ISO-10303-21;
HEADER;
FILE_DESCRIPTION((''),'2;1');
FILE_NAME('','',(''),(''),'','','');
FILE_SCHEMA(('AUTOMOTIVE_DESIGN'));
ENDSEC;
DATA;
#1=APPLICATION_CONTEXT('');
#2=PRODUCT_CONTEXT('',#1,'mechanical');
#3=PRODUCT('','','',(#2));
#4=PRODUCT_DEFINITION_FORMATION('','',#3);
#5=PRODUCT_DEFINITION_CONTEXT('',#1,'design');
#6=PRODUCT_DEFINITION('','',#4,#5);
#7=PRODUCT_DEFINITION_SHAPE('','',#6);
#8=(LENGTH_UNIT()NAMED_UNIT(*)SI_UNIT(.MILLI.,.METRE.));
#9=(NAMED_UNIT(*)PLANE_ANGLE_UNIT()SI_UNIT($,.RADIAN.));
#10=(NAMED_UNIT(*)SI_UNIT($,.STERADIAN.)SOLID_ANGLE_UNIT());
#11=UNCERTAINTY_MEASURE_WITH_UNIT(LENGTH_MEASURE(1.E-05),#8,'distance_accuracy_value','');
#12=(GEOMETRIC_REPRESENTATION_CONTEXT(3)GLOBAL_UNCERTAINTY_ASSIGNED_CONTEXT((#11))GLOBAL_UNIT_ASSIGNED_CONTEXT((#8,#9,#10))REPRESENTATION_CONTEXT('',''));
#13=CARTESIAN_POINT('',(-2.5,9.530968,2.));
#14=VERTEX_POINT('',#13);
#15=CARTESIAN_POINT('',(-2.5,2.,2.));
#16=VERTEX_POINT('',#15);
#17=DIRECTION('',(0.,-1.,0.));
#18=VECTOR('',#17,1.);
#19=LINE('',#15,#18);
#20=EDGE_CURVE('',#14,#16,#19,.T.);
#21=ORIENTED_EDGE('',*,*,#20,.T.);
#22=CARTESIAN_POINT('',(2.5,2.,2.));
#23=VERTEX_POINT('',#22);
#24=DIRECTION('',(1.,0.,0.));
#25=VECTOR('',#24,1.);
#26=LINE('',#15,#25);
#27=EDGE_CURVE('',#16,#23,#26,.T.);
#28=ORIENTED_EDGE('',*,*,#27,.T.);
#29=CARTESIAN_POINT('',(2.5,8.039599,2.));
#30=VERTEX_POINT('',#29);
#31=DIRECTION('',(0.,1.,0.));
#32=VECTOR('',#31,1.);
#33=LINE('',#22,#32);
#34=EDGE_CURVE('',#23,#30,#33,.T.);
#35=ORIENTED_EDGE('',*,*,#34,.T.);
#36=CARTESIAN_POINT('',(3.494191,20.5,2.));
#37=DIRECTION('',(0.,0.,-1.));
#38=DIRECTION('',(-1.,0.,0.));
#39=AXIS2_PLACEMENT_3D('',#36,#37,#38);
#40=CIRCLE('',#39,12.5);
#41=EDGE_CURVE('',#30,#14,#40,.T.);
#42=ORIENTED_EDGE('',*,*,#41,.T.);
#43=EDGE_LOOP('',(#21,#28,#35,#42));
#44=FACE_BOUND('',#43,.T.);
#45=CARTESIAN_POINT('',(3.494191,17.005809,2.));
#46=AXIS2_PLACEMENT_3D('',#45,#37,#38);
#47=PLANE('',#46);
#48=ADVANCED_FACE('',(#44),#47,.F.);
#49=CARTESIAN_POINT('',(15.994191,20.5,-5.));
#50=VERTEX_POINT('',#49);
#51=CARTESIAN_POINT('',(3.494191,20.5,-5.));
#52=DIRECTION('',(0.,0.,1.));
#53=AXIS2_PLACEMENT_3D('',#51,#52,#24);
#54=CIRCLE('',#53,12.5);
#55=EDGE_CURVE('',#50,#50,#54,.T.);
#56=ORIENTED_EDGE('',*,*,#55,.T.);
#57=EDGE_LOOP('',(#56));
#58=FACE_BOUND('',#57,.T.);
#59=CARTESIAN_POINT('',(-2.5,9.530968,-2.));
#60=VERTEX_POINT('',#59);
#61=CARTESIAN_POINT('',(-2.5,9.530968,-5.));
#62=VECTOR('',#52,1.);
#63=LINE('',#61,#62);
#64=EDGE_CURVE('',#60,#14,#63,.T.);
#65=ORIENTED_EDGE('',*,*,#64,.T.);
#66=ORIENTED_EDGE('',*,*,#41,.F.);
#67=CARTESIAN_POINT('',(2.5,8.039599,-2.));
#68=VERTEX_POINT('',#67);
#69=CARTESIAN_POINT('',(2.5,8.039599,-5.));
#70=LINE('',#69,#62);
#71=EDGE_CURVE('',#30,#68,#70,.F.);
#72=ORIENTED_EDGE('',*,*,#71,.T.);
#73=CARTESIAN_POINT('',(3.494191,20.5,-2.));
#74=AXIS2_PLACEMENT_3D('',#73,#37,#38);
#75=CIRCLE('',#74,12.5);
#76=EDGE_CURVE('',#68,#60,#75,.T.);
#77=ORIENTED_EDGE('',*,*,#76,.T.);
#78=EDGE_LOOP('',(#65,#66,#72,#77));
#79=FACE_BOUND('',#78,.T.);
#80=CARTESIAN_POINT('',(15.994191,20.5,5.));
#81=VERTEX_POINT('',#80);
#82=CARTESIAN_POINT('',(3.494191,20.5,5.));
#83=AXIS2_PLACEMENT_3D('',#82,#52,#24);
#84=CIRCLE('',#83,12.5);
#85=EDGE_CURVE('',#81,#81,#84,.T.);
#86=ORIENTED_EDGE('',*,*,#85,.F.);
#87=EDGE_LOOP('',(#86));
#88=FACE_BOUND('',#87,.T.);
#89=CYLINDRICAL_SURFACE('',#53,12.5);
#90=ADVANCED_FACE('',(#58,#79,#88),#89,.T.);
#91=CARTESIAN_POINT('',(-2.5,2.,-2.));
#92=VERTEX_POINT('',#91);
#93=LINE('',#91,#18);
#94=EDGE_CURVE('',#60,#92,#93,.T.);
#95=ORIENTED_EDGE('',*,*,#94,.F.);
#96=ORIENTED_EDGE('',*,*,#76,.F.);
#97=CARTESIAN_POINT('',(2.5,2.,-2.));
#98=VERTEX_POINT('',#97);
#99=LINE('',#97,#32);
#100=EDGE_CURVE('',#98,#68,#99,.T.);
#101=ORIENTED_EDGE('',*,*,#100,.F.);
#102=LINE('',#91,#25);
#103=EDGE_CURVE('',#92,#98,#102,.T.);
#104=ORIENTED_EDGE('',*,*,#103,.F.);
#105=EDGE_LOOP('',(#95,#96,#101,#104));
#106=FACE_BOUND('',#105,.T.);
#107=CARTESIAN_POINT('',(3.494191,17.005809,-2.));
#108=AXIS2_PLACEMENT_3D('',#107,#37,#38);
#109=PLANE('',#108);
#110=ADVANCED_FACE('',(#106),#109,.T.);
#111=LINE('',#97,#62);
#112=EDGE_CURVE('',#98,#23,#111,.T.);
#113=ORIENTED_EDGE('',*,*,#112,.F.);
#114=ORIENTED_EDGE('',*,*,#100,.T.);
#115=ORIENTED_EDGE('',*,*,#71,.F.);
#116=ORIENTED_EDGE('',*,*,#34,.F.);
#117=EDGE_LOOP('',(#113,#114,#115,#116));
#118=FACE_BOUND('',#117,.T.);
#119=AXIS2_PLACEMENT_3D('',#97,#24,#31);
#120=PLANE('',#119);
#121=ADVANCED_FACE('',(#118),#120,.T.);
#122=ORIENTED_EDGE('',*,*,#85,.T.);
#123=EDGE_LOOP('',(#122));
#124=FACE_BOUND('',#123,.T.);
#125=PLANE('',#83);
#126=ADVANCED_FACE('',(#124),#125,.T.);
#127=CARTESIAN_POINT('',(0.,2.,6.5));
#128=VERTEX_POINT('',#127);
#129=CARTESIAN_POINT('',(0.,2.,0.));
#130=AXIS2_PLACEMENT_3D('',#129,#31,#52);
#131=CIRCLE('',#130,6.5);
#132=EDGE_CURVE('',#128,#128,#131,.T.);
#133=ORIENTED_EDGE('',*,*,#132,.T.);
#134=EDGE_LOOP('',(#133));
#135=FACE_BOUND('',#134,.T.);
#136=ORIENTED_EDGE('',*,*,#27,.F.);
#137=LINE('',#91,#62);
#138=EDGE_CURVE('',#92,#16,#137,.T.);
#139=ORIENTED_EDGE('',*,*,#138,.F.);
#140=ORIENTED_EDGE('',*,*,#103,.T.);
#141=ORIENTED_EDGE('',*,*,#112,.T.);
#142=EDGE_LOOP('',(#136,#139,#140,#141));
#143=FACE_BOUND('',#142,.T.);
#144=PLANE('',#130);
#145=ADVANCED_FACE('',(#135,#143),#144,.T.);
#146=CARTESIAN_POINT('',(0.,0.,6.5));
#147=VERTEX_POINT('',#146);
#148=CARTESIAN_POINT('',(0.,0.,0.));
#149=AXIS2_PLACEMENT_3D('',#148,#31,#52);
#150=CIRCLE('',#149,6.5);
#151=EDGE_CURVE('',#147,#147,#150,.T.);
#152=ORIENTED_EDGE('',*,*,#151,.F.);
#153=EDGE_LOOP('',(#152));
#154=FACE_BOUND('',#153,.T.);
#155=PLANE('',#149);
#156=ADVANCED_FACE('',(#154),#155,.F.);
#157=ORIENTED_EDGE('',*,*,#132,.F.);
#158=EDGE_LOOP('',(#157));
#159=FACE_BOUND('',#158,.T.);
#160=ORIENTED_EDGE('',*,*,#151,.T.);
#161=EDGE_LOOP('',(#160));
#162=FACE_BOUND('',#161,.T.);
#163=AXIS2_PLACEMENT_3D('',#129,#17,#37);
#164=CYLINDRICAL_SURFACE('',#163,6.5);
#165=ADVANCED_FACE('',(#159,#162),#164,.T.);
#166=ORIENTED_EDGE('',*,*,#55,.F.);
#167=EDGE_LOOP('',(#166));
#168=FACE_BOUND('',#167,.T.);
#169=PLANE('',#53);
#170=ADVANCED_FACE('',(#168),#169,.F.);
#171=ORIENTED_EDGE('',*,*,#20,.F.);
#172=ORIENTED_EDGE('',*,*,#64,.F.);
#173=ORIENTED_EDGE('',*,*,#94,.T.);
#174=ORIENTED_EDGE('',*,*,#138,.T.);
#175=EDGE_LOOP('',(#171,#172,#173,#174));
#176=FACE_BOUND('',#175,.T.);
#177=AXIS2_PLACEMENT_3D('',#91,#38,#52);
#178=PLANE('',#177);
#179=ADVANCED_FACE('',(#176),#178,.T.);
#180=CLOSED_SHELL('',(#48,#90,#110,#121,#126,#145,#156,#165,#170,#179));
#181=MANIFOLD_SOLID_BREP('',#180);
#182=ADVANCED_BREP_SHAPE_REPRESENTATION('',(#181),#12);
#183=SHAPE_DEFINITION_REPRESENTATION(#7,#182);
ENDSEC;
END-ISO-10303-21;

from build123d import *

# Parameters (mm, degrees)
SKETCH1_R                = 6.5
BOSS_EXTRUDE1_DEPTH      = 2
BOSS_EXTRUDE2_DEPTH      = 2
BOSS_EXTRUDE2_DEPTH_BACK = 2
BOSS_EXTRUDE3_DEPTH      = 5
BOSS_EXTRUDE3_DEPTH_BACK = 5
SKETCH3_R                = 12.5


with BuildPart() as part:
    # Sketch1 → Boss-Extrude1 (new body)
    with BuildSketch(Plane(origin=(0, 0, 0), x_dir=(1, 0, 0), z_dir=(0, 1, 0))):
        Circle(SKETCH1_R)
    extrude(amount=BOSS_EXTRUDE1_DEPTH)

    # Sketch2 → Boss-Extrude2 (add, two sides: drawn at the far end of the back side and taken through both)
    with BuildSketch(Plane.XY.offset(-BOSS_EXTRUDE2_DEPTH_BACK)):
        with BuildLine():
            Line((-2.5, 2), (-2.5, 17.005808669))
            ThreePointArc((-2.5, 17.005808669), (-0.744342007, 21.244342007), (3.494191331, 23))
            ThreePointArc((3.494191331, 23), (5.994191331, 20.5), (3.494191331, 18))
            ThreePointArc((3.494191331, 18), (2.791191899, 17.708808101), (2.5, 17.005808669))
            Line((2.5, 17.005808669), (2.5, 2))
            Line((2.5, 2), (-2.5, 2))
        make_face()
    extrude(amount=BOSS_EXTRUDE2_DEPTH + BOSS_EXTRUDE2_DEPTH_BACK)

    # Sketch3 → Boss-Extrude3 (add, two sides: drawn at the far end of the back side and taken through both)
    with BuildSketch(Plane.XY.offset(-BOSS_EXTRUDE3_DEPTH_BACK)):
        with Locations((3.494191331, 20.5)):
            Circle(SKETCH3_R)
    extrude(amount=BOSS_EXTRUDE3_DEPTH + BOSS_EXTRUDE3_DEPTH_BACK)


solid = part.part
